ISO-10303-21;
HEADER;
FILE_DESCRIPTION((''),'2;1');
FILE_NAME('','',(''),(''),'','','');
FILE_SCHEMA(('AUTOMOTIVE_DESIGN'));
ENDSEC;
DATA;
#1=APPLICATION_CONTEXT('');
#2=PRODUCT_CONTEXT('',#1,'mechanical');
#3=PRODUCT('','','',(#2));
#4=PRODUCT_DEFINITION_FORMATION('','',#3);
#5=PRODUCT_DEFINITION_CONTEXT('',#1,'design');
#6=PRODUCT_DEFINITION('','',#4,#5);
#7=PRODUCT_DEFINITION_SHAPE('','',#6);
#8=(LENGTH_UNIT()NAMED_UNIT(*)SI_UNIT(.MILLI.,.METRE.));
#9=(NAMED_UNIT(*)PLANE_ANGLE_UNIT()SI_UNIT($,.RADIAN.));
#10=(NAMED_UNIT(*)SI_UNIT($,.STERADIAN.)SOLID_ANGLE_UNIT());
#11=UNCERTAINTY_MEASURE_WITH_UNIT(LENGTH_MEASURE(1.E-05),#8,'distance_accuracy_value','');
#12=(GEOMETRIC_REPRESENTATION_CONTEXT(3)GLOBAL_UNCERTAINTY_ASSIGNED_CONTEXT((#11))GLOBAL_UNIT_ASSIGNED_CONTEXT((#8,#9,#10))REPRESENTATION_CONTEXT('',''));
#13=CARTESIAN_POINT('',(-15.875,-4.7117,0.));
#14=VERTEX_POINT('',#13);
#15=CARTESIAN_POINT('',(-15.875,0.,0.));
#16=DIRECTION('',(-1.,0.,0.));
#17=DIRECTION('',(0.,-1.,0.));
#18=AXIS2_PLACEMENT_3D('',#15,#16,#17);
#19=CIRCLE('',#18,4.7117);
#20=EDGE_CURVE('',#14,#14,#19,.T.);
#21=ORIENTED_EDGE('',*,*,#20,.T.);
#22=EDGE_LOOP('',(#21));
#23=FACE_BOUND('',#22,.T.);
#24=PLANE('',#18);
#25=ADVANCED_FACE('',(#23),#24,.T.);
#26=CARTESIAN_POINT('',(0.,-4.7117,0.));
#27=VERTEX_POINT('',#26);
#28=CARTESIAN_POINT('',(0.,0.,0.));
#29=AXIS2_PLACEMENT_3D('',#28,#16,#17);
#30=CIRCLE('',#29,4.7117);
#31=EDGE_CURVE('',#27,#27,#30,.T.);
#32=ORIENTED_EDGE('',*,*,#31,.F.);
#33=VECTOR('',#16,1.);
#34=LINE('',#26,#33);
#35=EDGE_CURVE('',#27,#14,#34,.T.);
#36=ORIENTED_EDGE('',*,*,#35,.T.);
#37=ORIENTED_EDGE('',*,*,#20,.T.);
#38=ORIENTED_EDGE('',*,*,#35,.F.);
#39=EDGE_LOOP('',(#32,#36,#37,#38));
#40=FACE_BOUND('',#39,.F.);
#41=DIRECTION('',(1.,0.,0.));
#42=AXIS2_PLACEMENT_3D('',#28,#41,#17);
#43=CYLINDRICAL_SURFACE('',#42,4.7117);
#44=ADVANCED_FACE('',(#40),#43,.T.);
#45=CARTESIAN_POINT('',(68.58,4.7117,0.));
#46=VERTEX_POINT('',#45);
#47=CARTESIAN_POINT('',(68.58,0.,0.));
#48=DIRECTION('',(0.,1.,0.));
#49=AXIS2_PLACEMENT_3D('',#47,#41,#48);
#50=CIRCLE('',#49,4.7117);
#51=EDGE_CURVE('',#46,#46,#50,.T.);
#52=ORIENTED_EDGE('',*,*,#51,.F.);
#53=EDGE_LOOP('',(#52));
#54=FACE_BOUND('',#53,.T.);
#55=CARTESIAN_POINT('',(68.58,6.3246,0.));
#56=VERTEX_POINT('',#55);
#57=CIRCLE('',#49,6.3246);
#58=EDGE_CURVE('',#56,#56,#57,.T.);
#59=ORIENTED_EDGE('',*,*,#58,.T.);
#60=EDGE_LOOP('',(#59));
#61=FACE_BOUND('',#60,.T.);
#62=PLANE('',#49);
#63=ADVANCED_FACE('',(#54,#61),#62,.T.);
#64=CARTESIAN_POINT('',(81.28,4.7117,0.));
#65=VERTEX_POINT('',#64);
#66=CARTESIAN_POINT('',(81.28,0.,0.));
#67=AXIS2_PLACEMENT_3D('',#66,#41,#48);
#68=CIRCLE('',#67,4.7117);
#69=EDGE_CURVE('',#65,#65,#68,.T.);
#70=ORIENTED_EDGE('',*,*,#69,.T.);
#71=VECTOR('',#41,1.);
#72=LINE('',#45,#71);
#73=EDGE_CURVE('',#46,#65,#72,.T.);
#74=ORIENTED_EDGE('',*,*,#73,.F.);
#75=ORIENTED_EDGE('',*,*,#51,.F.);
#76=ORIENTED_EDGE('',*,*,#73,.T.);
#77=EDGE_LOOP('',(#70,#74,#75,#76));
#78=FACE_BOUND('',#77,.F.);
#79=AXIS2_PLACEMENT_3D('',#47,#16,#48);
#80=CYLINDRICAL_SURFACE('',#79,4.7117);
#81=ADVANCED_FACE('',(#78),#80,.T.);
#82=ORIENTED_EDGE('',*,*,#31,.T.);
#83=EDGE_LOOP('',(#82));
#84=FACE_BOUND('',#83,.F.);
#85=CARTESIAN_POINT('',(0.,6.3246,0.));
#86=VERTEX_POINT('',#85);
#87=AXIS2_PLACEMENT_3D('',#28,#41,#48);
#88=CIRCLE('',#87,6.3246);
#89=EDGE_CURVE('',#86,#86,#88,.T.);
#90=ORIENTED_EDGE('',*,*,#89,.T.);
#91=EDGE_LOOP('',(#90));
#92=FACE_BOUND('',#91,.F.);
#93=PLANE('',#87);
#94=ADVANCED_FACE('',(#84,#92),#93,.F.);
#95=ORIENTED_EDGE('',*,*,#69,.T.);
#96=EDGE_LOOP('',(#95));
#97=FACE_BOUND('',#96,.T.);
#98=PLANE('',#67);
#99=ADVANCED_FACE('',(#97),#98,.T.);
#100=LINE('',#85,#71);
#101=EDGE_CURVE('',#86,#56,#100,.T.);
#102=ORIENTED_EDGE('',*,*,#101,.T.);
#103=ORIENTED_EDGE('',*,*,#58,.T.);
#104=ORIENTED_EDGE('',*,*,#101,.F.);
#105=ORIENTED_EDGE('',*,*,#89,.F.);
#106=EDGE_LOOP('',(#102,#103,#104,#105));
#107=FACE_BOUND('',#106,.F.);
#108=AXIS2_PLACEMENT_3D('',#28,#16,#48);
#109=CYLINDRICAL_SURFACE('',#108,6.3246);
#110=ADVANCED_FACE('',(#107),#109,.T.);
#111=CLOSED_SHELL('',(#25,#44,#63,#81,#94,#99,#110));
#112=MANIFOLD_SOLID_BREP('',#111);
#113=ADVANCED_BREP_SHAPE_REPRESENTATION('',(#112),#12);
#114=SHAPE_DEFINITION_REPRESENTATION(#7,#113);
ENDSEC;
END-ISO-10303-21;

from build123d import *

# Parameters (mm, degrees)
F0_R     = 6.3246
F1_DEPTH = 68.58
F2_R     = 4.7117
F3_DEPTH = 12.7
F4_R     = 4.7117
F5_DEPTH = 15.875


with BuildPart() as f1:
    # F0 (on Right) → F1 (new body)
    with BuildSketch(Plane.YZ):
        Circle(F0_R)
    extrude(amount=F1_DEPTH)

    # F2 (on face) → F3 (join)
    with BuildSketch(Plane.YZ.offset(68.58)):
        Circle(F2_R)
    extrude(amount=F3_DEPTH)

    # F4 (on face) → F5 (join)
    with BuildSketch(Plane(origin=(0, 0, 0), x_dir=(0, -1, 0), z_dir=(-1, 0, 0))):
        Circle(F4_R)
    extrude(amount=F5_DEPTH)


solid = f1.part
